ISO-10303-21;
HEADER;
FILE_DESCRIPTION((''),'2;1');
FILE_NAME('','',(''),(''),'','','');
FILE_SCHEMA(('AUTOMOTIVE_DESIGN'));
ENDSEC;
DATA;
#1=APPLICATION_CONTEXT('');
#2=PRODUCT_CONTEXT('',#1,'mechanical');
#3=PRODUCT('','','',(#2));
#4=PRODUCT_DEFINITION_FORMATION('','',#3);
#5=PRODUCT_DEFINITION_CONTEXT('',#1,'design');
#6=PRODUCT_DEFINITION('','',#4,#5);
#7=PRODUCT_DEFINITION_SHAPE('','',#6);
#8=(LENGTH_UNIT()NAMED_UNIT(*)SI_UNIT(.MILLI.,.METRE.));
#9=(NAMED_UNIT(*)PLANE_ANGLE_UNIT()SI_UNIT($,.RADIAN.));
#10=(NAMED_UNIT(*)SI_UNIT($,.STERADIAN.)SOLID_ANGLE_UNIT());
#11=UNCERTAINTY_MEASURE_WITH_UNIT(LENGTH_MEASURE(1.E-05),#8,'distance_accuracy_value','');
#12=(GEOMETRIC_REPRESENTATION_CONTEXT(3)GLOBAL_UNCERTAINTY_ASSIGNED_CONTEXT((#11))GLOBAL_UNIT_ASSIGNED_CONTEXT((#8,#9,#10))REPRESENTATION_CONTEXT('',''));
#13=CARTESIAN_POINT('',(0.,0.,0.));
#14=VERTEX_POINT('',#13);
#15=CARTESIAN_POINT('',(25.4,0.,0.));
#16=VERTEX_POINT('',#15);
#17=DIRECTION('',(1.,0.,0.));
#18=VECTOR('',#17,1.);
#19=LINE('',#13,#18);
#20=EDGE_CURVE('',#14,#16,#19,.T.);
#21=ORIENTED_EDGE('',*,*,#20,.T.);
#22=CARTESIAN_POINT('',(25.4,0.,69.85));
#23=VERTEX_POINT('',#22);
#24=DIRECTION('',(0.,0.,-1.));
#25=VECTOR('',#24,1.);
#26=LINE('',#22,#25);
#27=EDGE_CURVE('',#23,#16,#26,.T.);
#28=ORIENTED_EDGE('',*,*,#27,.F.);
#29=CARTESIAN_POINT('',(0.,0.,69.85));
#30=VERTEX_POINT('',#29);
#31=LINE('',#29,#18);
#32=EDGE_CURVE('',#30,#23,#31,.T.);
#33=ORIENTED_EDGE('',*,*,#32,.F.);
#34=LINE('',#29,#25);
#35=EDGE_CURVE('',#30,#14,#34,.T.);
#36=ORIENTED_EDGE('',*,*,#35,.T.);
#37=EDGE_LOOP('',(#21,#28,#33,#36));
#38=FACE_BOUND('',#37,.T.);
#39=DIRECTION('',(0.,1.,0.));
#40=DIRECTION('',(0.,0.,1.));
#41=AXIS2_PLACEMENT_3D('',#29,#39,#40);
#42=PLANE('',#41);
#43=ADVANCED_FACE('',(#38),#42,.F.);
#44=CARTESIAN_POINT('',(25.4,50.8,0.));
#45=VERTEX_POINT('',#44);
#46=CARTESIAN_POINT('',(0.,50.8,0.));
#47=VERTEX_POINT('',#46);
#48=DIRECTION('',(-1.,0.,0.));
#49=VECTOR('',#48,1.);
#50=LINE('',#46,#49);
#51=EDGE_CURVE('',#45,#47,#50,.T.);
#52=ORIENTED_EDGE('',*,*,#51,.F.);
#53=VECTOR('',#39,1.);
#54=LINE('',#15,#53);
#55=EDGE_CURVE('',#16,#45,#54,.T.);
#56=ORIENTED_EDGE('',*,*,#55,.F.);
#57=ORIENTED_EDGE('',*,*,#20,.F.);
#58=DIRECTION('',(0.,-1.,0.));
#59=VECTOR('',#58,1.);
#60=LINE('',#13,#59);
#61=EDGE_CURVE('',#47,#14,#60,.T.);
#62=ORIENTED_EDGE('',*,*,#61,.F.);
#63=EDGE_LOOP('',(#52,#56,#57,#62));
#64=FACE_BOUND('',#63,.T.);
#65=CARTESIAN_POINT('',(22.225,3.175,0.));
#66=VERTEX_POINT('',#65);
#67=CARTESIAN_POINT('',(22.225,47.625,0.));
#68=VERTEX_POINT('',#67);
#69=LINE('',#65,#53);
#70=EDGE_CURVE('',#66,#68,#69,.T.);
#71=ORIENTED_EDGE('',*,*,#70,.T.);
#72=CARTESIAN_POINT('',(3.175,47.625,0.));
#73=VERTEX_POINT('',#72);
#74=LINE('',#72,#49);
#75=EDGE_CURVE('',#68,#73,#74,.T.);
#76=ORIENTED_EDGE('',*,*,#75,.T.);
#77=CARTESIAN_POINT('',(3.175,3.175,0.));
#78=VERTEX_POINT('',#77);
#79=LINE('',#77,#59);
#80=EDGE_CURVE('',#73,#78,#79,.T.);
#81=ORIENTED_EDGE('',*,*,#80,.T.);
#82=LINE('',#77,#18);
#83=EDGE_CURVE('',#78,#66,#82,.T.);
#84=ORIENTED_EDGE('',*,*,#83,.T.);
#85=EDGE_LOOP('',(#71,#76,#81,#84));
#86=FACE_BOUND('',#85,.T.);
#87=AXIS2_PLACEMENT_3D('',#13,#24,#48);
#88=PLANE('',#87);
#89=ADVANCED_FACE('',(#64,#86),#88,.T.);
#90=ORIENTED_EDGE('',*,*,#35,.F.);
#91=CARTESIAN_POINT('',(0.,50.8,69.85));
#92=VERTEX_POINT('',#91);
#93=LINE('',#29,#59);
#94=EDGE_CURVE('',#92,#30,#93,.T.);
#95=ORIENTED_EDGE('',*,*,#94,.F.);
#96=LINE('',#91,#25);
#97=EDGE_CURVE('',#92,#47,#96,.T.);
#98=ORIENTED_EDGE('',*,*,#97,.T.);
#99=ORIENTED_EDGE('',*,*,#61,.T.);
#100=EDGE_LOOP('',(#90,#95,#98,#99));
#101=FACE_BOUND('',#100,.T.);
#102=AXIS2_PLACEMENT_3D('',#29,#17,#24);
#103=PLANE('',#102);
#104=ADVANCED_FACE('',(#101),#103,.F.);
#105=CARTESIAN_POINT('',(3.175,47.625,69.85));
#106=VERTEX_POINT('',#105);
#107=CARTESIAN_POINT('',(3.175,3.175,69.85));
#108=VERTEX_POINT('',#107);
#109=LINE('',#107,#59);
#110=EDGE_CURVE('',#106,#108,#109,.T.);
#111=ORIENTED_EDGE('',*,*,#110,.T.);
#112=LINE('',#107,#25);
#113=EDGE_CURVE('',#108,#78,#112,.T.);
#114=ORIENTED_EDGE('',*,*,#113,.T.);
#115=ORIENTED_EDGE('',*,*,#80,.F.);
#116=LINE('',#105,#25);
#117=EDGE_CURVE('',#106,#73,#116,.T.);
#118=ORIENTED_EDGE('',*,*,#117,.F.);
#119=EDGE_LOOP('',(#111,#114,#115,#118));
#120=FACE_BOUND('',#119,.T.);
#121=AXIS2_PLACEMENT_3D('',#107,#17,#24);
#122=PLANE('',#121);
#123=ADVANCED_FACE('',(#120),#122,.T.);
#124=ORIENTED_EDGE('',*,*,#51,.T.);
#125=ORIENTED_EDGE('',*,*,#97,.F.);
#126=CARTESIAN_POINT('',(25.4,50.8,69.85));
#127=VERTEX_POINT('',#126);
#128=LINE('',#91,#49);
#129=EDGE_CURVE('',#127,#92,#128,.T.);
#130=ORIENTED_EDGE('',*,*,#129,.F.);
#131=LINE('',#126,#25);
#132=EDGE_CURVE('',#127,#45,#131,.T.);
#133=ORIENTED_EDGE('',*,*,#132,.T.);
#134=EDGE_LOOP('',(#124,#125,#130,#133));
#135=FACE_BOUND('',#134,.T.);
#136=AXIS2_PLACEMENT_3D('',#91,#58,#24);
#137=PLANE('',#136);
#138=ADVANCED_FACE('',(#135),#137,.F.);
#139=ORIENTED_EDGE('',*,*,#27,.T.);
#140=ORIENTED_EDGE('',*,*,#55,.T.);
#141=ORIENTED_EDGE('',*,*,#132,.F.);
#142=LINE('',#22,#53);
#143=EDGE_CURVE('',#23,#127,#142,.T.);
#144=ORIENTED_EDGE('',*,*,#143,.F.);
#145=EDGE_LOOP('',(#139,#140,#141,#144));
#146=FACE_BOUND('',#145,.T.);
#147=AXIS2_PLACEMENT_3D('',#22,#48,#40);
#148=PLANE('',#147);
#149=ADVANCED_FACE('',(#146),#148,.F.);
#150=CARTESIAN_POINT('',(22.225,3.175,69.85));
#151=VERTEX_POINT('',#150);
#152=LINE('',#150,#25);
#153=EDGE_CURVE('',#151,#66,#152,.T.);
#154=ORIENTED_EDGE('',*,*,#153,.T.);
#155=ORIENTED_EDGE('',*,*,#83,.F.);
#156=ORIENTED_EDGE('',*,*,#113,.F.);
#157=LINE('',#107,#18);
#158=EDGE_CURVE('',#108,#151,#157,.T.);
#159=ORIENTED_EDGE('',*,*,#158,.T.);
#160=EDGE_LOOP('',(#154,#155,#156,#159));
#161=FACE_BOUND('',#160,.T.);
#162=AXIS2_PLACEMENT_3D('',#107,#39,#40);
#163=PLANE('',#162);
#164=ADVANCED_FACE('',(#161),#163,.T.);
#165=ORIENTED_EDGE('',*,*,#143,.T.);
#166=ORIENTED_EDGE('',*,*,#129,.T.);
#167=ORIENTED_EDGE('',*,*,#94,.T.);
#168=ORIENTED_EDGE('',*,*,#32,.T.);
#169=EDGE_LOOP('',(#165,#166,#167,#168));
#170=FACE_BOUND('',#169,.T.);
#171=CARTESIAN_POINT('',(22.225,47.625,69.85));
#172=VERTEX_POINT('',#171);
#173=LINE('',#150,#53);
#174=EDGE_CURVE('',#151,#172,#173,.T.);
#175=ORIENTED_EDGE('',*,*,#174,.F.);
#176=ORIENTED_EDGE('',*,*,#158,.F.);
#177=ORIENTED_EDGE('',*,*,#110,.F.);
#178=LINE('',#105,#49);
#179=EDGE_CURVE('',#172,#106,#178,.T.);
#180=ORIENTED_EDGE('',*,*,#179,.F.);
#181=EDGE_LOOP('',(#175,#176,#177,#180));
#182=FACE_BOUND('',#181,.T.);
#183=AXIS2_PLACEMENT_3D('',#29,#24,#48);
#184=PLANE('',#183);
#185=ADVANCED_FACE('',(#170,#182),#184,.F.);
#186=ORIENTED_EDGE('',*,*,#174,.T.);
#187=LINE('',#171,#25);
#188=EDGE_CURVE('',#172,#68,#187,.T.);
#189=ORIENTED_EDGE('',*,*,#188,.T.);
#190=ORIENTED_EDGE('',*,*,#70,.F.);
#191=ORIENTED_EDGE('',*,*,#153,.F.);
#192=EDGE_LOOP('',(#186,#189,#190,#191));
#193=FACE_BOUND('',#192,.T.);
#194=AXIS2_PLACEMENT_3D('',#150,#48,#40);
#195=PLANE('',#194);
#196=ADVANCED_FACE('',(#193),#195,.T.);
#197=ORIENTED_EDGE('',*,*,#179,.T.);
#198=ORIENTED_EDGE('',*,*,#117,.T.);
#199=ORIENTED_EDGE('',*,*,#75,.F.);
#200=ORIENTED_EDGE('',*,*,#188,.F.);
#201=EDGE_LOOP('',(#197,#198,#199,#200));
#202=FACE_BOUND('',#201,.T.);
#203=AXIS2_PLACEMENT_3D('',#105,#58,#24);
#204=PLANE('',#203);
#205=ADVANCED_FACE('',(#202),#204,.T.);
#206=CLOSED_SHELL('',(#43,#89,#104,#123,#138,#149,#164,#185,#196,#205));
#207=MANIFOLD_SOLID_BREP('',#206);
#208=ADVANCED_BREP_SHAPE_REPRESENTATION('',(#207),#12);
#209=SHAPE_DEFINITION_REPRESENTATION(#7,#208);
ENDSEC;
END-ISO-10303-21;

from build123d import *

# Parameters (mm, degrees)
SKETCH1_W           = 25.4
SKETCH1_H           = 50.8
SKETCH1_W_2         = 19.05
SKETCH1_H_2         = 44.45
BOSS_EXTRUDE1_DEPTH = 69.85


with BuildPart() as part:
    # Sketch1 → Boss-Extrude1 (new body)
    with BuildSketch(Plane.XY):
        with Locations((12.7, 25.4)):
            Rectangle(SKETCH1_W, SKETCH1_H)
        with Locations((12.7, 25.4)):
            Rectangle(SKETCH1_W_2, SKETCH1_H_2, mode=Mode.SUBTRACT)
    extrude(amount=BOSS_EXTRUDE1_DEPTH)


solid = part.part
